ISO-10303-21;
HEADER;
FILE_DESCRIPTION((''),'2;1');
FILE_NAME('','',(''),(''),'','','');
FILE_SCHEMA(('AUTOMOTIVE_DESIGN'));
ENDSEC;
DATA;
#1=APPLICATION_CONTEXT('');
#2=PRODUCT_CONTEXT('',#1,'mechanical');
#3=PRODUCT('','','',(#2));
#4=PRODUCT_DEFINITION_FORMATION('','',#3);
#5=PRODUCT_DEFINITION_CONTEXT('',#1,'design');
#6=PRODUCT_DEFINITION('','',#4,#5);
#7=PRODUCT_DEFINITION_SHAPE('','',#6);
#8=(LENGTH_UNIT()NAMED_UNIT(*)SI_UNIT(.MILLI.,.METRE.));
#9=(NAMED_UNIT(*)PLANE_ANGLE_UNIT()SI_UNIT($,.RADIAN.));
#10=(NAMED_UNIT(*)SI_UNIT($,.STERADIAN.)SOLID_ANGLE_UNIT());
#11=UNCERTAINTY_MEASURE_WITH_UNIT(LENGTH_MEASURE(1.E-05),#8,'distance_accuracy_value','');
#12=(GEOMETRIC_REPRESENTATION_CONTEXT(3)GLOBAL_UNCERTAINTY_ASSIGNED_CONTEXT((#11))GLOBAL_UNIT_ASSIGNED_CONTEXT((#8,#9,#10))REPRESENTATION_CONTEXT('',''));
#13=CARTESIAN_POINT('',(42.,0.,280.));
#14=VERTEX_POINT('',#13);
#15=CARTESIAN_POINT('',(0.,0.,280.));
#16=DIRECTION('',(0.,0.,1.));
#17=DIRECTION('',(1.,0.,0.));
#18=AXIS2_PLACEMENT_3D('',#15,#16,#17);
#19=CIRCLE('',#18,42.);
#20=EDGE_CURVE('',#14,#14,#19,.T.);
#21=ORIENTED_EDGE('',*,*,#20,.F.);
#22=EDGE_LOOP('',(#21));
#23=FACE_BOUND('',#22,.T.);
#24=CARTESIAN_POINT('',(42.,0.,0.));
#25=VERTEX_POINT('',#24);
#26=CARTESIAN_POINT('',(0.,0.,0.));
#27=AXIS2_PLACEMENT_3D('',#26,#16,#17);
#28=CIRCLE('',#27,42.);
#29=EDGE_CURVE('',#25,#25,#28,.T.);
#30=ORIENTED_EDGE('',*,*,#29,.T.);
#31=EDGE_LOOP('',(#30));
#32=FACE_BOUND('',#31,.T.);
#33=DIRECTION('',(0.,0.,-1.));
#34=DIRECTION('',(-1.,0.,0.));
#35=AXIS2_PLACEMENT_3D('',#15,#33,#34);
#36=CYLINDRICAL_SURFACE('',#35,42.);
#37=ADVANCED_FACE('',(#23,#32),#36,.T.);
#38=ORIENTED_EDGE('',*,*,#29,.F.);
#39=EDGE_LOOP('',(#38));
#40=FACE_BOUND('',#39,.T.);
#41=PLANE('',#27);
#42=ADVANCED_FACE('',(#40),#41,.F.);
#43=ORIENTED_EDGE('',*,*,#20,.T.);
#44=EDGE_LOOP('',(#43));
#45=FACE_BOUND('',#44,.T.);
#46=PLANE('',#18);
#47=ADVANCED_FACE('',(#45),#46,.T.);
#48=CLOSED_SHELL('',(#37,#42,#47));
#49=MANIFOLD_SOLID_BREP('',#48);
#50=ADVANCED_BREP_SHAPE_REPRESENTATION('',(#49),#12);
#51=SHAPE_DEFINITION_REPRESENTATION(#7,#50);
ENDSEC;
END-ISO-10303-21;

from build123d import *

# Parameters (mm, degrees)
ESQUISSE1_R        = 42
BOSS_EXTRU_1_DEPTH = 280


with BuildPart() as part:
    # Esquisse1 → Boss.-Extru.1 (new body)
    with BuildSketch(Plane.XY):
        Circle(ESQUISSE1_R)
    extrude(amount=BOSS_EXTRU_1_DEPTH)


solid = part.part
